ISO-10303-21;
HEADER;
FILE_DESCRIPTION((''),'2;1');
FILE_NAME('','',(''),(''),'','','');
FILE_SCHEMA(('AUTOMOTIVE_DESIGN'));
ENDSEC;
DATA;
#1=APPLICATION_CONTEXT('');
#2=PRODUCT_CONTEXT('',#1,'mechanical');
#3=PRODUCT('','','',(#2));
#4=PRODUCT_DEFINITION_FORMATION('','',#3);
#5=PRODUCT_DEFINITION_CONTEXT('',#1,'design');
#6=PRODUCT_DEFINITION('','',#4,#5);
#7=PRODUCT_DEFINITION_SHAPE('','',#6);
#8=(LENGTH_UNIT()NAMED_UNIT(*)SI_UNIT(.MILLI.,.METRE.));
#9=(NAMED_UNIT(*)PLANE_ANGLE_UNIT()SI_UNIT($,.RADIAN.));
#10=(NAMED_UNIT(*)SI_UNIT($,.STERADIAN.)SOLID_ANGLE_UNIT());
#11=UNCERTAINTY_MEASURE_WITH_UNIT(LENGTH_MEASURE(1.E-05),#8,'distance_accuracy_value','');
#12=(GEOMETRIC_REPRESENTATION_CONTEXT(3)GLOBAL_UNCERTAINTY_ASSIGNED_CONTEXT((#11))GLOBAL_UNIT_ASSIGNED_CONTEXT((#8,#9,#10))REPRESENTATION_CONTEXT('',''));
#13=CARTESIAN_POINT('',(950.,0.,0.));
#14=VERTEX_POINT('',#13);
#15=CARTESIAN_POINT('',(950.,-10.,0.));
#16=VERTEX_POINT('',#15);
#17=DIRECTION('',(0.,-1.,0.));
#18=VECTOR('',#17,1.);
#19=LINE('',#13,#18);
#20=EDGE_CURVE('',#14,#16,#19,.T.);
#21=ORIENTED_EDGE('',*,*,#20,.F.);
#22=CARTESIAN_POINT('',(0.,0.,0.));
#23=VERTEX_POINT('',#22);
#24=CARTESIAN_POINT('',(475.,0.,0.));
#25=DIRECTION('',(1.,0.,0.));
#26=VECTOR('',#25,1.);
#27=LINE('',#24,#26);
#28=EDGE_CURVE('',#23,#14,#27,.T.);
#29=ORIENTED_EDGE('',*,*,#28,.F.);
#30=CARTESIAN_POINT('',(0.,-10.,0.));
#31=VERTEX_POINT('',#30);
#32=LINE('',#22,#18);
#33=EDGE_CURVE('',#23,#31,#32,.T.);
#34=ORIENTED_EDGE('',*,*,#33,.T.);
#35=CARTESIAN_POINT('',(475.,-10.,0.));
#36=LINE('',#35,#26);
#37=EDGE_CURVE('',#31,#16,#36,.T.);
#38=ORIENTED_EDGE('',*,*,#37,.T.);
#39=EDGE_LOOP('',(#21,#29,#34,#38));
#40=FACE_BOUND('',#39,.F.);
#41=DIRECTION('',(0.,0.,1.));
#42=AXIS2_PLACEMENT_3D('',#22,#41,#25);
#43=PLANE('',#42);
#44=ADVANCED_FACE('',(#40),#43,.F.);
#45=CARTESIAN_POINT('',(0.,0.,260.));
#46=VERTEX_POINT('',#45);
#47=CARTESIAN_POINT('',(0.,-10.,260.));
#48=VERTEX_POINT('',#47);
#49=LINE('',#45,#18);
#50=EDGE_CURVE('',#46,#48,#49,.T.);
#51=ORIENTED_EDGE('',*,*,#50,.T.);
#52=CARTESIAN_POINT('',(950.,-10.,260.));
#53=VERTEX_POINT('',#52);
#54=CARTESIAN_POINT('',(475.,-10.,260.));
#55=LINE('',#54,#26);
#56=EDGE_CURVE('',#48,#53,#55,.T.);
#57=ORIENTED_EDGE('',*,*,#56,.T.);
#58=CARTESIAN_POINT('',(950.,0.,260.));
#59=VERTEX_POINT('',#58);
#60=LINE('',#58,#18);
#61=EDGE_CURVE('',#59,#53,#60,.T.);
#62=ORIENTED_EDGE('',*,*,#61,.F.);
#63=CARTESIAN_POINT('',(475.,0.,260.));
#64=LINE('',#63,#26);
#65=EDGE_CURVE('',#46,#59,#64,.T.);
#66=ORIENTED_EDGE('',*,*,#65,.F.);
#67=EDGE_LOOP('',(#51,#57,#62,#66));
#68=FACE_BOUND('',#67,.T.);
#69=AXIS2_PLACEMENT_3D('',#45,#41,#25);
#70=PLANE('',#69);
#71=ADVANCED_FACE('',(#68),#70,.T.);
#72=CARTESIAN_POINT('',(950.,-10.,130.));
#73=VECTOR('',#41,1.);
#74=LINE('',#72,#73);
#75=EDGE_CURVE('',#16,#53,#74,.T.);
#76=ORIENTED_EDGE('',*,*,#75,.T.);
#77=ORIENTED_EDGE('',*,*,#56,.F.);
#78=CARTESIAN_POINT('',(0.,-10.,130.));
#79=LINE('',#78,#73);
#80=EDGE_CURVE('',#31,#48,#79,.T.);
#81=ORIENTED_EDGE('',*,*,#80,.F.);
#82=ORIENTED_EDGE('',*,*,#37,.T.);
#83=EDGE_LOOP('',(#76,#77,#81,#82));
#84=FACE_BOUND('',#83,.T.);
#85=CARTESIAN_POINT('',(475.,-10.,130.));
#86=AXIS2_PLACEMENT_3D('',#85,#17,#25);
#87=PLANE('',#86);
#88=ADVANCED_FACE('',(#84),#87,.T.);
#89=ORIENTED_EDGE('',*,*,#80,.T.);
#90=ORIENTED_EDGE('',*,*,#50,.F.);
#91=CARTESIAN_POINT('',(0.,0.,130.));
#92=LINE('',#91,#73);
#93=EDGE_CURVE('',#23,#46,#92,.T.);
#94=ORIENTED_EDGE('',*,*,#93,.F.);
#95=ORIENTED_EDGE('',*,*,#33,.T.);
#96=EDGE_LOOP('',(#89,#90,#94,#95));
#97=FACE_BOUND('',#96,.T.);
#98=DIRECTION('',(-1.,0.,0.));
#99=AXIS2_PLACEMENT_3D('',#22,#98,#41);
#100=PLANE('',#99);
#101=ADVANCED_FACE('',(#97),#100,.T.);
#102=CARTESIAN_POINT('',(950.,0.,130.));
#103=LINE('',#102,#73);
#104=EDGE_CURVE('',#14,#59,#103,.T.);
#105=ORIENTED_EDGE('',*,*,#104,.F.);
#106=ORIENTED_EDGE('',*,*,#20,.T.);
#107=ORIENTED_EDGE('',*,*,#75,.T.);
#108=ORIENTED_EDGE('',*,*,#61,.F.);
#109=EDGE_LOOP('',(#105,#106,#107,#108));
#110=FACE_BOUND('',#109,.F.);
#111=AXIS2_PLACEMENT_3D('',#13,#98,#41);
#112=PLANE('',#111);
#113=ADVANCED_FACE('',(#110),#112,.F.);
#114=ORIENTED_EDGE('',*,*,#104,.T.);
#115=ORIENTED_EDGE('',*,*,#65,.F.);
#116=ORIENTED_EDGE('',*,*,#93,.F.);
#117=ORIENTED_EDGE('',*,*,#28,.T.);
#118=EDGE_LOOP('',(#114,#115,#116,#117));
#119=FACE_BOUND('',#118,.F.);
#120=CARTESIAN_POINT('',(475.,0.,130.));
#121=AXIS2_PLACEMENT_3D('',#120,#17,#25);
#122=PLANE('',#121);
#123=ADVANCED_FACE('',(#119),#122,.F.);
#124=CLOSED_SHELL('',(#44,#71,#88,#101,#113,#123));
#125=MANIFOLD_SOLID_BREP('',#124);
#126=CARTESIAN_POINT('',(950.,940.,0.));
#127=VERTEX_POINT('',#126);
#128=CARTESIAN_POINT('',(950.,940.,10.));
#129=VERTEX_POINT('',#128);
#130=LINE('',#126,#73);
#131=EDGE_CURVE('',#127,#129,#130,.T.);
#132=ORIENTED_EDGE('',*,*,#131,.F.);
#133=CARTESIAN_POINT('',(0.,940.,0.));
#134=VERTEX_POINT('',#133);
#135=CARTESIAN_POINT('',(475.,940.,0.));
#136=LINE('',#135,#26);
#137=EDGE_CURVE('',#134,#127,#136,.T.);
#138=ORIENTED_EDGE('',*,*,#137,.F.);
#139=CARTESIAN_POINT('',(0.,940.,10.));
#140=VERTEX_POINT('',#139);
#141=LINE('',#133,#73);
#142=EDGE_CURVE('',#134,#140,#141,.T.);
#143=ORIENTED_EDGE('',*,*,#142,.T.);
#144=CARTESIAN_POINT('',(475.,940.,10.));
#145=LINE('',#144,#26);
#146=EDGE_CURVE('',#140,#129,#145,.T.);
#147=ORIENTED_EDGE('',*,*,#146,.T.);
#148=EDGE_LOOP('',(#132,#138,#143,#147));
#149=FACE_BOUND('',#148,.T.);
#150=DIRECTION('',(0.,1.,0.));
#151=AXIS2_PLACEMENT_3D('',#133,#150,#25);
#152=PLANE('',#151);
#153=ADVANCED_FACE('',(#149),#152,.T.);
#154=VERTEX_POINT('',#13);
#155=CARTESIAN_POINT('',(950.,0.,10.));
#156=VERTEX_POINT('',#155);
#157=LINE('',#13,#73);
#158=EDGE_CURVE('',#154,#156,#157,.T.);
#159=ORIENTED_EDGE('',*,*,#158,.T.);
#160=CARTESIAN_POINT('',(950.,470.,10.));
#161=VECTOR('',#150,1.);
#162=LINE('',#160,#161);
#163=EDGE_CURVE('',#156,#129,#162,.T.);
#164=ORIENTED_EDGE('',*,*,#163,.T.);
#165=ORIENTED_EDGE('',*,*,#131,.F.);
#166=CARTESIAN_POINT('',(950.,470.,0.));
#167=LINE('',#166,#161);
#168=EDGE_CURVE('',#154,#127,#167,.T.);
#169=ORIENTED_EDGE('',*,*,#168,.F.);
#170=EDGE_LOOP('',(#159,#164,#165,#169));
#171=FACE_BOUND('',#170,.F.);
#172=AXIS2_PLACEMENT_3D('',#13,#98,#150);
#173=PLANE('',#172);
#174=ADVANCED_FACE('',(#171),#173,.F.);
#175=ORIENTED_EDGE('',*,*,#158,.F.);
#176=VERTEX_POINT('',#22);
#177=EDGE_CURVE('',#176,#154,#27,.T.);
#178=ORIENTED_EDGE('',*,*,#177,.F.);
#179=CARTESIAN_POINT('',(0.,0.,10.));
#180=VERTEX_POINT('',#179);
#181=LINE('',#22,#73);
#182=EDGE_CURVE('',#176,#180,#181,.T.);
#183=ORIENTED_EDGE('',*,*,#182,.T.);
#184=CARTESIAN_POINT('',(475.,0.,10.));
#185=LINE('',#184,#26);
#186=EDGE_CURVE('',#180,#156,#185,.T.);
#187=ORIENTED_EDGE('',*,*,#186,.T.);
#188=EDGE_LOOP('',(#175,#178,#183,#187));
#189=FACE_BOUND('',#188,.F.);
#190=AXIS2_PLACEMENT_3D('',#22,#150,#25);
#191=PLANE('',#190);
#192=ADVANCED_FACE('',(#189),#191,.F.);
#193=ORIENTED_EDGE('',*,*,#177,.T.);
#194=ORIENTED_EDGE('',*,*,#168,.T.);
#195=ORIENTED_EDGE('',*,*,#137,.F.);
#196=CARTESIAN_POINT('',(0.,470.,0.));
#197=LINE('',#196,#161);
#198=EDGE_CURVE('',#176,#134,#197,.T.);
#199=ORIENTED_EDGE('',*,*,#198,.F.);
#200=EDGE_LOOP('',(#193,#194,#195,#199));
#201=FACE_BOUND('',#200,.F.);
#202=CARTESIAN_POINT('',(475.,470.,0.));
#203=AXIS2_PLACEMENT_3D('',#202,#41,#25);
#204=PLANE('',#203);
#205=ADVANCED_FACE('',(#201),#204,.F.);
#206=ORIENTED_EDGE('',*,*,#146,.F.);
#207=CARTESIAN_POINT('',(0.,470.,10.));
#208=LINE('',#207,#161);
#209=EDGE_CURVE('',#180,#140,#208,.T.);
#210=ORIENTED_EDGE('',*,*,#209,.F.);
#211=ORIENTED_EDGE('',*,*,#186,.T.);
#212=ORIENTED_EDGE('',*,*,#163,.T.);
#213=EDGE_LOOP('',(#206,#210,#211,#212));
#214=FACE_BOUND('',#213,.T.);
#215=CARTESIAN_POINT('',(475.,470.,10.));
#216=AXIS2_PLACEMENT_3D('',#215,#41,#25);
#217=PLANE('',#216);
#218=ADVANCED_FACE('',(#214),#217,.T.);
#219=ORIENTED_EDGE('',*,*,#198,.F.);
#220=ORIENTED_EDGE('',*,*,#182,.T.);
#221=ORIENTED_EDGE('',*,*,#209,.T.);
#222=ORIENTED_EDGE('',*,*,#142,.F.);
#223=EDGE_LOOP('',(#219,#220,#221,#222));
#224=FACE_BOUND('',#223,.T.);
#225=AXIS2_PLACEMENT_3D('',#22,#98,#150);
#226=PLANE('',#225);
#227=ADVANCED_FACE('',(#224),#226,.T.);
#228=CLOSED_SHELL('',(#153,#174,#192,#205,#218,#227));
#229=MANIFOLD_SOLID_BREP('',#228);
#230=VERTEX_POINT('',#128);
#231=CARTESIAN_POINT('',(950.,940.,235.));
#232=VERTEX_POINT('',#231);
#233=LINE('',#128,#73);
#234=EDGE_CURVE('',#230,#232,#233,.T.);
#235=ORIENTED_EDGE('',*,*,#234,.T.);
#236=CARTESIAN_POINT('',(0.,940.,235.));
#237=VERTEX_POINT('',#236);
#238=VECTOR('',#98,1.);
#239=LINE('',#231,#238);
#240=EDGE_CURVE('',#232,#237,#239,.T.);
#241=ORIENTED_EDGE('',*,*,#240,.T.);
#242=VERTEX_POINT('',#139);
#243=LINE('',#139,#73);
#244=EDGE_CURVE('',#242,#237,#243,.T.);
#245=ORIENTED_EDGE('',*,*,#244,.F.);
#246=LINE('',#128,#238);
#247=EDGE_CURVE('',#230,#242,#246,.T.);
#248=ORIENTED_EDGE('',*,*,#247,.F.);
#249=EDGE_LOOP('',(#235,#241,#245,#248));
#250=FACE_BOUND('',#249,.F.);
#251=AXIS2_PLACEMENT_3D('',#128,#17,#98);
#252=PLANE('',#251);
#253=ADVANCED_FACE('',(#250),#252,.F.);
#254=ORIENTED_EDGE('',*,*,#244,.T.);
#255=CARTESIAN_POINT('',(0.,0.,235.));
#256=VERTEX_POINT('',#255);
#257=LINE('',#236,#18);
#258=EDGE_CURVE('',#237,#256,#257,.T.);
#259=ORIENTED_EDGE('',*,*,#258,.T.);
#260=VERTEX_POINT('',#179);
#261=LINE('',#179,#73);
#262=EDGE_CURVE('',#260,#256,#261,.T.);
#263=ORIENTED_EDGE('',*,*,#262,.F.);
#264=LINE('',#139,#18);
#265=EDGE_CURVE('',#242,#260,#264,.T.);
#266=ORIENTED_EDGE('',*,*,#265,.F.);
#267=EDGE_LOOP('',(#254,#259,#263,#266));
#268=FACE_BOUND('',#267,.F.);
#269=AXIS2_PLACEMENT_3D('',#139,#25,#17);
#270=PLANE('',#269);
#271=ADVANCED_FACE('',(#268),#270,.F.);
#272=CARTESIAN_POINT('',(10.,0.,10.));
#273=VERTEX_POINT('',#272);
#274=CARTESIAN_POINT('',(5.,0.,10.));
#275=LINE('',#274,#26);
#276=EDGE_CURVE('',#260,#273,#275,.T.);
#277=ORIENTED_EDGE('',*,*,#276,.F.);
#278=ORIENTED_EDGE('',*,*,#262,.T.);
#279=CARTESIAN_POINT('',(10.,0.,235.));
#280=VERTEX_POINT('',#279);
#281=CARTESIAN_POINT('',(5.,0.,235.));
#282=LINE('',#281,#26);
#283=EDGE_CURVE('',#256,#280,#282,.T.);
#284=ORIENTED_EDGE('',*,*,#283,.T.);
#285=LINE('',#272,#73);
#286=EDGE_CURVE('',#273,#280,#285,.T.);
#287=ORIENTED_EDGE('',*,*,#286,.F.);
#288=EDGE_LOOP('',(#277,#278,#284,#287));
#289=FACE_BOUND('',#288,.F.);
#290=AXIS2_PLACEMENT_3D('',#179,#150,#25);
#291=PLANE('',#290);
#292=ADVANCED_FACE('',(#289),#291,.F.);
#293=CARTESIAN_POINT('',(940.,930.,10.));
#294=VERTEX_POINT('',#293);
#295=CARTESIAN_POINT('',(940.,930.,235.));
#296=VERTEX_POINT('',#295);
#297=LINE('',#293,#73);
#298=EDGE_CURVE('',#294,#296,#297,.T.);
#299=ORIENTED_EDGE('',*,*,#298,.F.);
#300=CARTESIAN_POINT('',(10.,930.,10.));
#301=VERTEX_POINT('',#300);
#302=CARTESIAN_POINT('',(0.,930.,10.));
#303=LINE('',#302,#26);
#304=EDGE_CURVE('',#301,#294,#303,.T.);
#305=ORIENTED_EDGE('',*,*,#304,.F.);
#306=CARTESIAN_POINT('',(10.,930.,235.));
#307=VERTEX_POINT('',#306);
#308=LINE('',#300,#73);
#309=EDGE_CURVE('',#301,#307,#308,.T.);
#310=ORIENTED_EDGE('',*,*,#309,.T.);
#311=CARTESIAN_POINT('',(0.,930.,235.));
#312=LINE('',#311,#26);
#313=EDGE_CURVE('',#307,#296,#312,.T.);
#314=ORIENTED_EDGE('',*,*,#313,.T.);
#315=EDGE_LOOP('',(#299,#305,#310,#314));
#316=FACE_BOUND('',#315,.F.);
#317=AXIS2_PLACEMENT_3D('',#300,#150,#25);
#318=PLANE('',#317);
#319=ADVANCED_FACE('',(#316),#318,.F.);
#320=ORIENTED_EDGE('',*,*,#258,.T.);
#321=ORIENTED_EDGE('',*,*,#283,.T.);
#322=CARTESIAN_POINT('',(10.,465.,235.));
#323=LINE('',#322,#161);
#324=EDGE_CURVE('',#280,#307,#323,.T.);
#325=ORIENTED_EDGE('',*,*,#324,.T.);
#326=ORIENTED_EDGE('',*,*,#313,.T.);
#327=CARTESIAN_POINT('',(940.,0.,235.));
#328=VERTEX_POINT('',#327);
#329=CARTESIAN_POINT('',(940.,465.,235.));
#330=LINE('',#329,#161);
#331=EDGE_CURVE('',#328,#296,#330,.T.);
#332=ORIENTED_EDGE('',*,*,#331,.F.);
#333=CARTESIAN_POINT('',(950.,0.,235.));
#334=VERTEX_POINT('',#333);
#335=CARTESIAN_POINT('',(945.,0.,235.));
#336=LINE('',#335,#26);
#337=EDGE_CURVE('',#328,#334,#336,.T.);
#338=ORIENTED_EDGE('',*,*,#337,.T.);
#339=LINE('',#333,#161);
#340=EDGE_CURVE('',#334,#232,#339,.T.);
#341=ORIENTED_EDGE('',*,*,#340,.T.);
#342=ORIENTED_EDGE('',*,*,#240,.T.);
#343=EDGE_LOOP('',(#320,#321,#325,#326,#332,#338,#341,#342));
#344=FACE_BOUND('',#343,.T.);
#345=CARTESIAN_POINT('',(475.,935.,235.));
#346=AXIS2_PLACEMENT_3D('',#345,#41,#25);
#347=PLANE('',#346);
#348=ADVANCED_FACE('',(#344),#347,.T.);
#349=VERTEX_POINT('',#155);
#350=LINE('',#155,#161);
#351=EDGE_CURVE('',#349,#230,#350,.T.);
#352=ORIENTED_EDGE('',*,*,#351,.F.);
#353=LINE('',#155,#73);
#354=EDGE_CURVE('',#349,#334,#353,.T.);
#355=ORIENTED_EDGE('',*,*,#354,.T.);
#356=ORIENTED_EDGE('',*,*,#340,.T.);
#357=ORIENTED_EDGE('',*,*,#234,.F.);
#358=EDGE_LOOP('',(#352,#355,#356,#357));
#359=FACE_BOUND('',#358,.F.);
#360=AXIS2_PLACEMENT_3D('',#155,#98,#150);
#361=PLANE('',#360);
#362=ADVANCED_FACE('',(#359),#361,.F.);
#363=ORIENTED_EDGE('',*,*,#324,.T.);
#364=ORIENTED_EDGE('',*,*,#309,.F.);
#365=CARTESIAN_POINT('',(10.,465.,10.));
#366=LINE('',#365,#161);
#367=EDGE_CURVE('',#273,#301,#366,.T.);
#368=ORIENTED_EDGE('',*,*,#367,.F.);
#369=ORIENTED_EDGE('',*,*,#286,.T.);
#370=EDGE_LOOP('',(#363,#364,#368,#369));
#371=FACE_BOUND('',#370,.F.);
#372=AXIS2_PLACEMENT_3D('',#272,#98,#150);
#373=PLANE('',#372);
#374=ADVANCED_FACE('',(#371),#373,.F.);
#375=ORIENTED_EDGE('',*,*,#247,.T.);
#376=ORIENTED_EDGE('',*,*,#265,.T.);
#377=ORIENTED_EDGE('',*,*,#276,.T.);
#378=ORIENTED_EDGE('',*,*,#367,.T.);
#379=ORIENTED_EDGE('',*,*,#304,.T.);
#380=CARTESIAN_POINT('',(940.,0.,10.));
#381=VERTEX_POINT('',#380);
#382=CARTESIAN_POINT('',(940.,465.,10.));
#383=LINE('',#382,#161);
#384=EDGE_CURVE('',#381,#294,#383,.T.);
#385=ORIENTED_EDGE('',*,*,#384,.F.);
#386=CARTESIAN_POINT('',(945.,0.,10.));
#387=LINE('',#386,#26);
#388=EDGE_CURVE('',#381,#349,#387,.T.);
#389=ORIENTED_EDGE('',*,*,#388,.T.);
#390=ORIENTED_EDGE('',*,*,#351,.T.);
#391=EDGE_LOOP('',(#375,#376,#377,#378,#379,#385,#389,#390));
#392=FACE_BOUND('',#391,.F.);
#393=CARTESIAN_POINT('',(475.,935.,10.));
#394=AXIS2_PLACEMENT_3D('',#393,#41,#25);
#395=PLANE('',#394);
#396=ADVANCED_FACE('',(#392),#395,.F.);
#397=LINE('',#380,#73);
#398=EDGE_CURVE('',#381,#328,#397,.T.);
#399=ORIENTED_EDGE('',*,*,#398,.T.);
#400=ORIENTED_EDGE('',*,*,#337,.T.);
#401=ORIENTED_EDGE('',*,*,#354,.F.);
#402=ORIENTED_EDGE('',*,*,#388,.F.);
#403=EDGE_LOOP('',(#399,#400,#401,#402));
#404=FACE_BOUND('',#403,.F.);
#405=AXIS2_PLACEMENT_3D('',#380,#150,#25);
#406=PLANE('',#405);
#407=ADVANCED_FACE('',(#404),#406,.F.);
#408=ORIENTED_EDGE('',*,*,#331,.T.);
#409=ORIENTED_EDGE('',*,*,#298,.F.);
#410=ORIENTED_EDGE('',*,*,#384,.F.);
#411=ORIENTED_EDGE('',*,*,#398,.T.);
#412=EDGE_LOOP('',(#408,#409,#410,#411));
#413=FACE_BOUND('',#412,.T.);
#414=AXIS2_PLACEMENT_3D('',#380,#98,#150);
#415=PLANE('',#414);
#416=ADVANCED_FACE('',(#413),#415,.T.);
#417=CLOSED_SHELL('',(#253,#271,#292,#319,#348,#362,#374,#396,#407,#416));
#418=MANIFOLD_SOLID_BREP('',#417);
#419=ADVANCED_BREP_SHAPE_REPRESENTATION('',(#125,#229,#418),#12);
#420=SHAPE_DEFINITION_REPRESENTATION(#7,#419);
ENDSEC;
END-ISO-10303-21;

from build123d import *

# Parameters (mm, degrees)
F0_W     = 950
F0_H     = 940
F1_DEPTH = 10
F2_W     = 10
F2_H     = 930
F3_DEPTH = 225
F4_W     = 950
F4_H     = 260
F5_DEPTH = 10


with BuildPart() as f1:
    # F0 (on Top) → F1 (new body)
    with BuildSketch(Plane.XY):
        with Locations((475, 470)):
            Rectangle(F0_W, F0_H)
    extrude(amount=F1_DEPTH)


with BuildPart() as f3:
    # F2 (on face) → F3 (new body)
    with BuildSketch(Plane.XY.offset(10)):
        Polygon((950, 940), (0, 940), (0, 930), (10, 930), (940, 930), (950, 930), align=None)
        with Locations((5, 465)):
            Rectangle(F2_W, F2_H)
        with Locations((945, 465)):
            Rectangle(F2_W, F2_H)
    extrude(amount=F3_DEPTH)


with BuildPart() as f5:
    # F4 (on face) → F5 (new body)
    with BuildSketch(Plane.XZ):
        with Locations((475, 130)):
            Rectangle(F4_W, F4_H)
    extrude(amount=F5_DEPTH)


solid = Compound([f1.part, f3.part, f5.part])
